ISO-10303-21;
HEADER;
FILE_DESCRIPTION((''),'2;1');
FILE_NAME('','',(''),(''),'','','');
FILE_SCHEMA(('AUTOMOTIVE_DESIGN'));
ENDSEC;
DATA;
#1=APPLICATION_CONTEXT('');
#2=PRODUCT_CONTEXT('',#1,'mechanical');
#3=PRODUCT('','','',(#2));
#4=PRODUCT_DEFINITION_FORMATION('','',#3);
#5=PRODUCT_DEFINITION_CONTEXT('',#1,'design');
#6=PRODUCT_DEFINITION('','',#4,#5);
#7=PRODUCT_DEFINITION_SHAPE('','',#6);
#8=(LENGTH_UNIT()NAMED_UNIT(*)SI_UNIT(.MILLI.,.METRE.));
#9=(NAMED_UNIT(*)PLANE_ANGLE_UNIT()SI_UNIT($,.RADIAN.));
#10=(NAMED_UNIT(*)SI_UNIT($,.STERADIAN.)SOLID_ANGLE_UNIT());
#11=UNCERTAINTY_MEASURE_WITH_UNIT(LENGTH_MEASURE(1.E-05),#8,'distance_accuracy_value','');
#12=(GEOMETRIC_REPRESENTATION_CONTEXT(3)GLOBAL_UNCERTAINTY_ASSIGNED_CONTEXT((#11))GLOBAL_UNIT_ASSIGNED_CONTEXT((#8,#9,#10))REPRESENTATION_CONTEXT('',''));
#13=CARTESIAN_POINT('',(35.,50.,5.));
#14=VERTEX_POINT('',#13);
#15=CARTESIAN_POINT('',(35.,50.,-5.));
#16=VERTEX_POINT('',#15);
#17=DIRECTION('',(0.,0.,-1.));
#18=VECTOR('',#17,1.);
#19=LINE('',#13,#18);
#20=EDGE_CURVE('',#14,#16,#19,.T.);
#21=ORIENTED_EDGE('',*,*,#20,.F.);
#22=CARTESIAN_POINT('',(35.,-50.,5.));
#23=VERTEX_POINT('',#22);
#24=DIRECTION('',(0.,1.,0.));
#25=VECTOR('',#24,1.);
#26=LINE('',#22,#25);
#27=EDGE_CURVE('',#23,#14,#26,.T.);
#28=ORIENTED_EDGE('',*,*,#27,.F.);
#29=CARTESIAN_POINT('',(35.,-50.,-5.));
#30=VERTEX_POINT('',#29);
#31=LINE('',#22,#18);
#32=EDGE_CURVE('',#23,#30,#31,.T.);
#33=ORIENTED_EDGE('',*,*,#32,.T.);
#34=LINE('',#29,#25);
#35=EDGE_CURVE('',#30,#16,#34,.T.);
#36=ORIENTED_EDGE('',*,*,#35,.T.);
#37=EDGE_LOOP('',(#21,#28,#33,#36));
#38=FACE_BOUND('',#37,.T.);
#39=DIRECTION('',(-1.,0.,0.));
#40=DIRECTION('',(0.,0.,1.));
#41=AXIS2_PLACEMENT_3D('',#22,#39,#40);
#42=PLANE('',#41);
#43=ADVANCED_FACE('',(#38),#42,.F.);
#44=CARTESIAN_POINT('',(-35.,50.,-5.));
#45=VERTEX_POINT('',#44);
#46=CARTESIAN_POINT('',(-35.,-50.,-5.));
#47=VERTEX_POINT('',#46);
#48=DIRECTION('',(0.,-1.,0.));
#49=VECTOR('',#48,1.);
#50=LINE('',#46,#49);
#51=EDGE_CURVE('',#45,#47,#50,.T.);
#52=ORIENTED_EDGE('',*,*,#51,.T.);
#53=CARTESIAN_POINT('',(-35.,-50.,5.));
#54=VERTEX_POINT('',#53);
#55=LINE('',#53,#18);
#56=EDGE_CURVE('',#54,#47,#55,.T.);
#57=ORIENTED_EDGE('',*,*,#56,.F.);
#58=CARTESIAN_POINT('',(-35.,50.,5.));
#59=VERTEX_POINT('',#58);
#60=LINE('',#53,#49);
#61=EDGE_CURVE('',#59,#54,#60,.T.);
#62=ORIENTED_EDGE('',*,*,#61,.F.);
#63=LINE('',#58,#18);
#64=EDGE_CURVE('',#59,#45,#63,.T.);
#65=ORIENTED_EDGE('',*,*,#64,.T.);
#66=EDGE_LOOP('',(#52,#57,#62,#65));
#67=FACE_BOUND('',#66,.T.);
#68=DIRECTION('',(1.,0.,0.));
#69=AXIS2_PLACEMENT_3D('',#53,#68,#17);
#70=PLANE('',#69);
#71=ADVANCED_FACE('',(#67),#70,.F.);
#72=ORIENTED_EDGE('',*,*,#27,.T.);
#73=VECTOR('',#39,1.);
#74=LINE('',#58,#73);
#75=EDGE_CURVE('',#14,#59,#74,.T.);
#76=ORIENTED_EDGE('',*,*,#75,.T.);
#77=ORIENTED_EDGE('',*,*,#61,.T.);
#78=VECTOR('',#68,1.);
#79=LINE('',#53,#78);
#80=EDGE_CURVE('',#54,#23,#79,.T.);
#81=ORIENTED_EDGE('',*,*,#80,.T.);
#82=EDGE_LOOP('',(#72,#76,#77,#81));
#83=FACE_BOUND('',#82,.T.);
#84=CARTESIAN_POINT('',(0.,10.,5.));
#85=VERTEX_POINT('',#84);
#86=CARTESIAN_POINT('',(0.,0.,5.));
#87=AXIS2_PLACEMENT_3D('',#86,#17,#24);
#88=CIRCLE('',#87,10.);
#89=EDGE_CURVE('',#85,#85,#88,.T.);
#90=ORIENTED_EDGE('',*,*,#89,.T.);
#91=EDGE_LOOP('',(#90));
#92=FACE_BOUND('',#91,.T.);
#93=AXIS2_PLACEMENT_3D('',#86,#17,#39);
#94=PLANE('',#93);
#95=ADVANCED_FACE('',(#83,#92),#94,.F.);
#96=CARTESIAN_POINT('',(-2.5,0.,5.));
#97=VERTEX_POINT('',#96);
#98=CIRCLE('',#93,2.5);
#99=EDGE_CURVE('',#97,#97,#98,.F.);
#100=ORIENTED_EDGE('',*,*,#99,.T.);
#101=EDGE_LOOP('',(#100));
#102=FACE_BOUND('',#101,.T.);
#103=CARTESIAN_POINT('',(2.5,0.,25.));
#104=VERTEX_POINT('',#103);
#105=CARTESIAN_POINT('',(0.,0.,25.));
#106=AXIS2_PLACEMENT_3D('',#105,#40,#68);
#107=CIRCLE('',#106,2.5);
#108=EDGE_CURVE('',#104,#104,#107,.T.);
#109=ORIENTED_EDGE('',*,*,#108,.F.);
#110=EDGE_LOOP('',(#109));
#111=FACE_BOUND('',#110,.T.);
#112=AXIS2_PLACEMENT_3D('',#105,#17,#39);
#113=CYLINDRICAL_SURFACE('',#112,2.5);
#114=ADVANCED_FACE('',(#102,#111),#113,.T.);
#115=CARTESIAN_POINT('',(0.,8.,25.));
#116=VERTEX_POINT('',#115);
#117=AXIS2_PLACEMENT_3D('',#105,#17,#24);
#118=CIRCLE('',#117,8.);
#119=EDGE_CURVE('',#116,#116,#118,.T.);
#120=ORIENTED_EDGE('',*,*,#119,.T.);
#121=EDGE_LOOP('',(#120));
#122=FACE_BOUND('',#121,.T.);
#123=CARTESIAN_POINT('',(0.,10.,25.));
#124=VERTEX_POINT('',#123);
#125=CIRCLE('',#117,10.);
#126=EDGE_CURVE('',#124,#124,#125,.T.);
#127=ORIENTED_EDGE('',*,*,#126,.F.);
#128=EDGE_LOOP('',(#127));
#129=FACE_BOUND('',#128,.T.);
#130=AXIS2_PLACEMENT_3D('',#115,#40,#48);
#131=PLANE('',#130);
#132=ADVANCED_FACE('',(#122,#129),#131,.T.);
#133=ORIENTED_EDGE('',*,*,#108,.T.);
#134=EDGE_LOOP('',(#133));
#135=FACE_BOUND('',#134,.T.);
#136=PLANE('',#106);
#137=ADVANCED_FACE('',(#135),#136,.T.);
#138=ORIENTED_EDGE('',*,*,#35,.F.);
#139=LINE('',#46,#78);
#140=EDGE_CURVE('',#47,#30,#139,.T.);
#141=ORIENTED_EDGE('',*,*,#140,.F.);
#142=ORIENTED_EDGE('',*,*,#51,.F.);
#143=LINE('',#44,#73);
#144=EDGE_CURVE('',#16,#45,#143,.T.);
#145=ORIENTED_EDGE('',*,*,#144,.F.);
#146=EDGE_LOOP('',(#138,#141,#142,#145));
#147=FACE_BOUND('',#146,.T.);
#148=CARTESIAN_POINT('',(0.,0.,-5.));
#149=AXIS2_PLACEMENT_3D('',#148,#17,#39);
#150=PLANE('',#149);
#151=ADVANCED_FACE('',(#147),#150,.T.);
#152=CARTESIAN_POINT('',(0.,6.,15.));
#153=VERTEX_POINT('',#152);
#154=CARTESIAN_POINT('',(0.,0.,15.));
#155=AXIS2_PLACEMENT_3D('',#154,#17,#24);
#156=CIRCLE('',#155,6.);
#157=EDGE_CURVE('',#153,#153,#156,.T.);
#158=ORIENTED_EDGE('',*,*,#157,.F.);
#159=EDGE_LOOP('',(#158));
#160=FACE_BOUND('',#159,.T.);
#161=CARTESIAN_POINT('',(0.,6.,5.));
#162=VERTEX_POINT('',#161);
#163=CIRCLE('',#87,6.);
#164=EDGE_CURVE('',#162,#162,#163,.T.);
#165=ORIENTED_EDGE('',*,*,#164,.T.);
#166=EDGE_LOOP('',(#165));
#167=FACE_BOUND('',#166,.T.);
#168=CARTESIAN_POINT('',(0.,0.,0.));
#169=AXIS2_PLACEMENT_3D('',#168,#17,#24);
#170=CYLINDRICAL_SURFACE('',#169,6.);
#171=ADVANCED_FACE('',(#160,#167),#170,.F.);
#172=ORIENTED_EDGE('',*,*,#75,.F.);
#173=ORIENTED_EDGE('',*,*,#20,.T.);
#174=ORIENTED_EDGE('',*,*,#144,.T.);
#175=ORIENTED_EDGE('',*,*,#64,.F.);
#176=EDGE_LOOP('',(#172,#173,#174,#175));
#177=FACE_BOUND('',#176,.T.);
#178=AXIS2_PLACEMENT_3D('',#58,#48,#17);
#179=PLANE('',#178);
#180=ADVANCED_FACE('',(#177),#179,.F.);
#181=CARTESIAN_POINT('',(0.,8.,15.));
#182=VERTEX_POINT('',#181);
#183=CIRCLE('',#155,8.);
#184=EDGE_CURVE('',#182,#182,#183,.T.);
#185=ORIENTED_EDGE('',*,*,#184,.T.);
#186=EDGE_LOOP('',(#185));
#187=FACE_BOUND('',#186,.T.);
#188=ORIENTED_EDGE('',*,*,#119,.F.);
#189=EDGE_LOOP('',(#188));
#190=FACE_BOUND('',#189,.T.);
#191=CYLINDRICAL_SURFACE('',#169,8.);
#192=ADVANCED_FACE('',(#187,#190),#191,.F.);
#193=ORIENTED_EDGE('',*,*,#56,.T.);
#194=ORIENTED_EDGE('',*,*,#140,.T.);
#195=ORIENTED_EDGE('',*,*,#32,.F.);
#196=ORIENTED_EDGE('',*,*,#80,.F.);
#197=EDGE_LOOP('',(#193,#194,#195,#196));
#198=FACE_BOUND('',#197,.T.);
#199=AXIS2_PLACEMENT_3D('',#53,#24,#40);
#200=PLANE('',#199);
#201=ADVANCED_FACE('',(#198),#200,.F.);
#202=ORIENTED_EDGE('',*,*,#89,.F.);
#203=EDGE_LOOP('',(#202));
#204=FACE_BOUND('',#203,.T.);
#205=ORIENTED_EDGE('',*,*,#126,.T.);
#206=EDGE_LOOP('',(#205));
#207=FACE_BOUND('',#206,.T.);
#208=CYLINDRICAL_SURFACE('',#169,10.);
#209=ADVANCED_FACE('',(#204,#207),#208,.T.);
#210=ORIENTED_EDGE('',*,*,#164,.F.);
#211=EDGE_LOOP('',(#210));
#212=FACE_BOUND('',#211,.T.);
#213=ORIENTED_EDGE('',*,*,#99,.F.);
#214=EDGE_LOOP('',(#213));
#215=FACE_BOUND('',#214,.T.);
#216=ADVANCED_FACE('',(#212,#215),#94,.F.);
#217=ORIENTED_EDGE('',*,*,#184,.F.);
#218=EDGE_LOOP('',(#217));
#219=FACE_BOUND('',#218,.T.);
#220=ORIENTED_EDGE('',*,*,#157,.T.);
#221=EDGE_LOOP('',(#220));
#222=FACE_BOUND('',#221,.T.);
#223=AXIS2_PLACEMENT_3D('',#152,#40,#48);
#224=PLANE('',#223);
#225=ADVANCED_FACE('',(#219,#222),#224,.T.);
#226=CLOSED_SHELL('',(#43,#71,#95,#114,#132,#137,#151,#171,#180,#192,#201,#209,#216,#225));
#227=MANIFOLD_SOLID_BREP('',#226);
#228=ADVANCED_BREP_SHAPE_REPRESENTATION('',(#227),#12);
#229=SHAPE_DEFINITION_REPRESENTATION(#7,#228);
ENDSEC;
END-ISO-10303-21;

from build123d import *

# Parameters (mm, degrees)
SKETCH1_W           = 70
SKETCH1_H           = 100
BOSS_EXTRUDE1_DEPTH = 5
SKETCH3_R           = 2.5
BOSS_EXTRUDE2_DEPTH = 20


with BuildPart() as part:
    # Sketch1 → Boss-Extrude1 (new, symmetric)
    with BuildSketch(Plane.XY):
        Rectangle(SKETCH1_W, SKETCH1_H)
    extrude(amount=BOSS_EXTRUDE1_DEPTH, both=True)

    # Sketch3 → Boss-Extrude2 (add)
    with BuildSketch(Plane.XY.offset(5)):
        with Locations(Location((0, 0, 0), (0, 0, 180))):
            Circle(SKETCH3_R)
    extrude(amount=BOSS_EXTRUDE2_DEPTH)

    # Sketch5 → Revolve1 (revolve)
    with BuildSketch(Plane(origin=(0, 0, 0), x_dir=(0, 0, -1), z_dir=(1, 0, 0))):
        Polygon((-5, 6), (-15, 6), (-15, 8), (-25, 8), (-25, 10), (-5, 10), align=None)
    revolve(axis=Axis((0, 0, 0), (0, 0, 1)))


solid = part.part
